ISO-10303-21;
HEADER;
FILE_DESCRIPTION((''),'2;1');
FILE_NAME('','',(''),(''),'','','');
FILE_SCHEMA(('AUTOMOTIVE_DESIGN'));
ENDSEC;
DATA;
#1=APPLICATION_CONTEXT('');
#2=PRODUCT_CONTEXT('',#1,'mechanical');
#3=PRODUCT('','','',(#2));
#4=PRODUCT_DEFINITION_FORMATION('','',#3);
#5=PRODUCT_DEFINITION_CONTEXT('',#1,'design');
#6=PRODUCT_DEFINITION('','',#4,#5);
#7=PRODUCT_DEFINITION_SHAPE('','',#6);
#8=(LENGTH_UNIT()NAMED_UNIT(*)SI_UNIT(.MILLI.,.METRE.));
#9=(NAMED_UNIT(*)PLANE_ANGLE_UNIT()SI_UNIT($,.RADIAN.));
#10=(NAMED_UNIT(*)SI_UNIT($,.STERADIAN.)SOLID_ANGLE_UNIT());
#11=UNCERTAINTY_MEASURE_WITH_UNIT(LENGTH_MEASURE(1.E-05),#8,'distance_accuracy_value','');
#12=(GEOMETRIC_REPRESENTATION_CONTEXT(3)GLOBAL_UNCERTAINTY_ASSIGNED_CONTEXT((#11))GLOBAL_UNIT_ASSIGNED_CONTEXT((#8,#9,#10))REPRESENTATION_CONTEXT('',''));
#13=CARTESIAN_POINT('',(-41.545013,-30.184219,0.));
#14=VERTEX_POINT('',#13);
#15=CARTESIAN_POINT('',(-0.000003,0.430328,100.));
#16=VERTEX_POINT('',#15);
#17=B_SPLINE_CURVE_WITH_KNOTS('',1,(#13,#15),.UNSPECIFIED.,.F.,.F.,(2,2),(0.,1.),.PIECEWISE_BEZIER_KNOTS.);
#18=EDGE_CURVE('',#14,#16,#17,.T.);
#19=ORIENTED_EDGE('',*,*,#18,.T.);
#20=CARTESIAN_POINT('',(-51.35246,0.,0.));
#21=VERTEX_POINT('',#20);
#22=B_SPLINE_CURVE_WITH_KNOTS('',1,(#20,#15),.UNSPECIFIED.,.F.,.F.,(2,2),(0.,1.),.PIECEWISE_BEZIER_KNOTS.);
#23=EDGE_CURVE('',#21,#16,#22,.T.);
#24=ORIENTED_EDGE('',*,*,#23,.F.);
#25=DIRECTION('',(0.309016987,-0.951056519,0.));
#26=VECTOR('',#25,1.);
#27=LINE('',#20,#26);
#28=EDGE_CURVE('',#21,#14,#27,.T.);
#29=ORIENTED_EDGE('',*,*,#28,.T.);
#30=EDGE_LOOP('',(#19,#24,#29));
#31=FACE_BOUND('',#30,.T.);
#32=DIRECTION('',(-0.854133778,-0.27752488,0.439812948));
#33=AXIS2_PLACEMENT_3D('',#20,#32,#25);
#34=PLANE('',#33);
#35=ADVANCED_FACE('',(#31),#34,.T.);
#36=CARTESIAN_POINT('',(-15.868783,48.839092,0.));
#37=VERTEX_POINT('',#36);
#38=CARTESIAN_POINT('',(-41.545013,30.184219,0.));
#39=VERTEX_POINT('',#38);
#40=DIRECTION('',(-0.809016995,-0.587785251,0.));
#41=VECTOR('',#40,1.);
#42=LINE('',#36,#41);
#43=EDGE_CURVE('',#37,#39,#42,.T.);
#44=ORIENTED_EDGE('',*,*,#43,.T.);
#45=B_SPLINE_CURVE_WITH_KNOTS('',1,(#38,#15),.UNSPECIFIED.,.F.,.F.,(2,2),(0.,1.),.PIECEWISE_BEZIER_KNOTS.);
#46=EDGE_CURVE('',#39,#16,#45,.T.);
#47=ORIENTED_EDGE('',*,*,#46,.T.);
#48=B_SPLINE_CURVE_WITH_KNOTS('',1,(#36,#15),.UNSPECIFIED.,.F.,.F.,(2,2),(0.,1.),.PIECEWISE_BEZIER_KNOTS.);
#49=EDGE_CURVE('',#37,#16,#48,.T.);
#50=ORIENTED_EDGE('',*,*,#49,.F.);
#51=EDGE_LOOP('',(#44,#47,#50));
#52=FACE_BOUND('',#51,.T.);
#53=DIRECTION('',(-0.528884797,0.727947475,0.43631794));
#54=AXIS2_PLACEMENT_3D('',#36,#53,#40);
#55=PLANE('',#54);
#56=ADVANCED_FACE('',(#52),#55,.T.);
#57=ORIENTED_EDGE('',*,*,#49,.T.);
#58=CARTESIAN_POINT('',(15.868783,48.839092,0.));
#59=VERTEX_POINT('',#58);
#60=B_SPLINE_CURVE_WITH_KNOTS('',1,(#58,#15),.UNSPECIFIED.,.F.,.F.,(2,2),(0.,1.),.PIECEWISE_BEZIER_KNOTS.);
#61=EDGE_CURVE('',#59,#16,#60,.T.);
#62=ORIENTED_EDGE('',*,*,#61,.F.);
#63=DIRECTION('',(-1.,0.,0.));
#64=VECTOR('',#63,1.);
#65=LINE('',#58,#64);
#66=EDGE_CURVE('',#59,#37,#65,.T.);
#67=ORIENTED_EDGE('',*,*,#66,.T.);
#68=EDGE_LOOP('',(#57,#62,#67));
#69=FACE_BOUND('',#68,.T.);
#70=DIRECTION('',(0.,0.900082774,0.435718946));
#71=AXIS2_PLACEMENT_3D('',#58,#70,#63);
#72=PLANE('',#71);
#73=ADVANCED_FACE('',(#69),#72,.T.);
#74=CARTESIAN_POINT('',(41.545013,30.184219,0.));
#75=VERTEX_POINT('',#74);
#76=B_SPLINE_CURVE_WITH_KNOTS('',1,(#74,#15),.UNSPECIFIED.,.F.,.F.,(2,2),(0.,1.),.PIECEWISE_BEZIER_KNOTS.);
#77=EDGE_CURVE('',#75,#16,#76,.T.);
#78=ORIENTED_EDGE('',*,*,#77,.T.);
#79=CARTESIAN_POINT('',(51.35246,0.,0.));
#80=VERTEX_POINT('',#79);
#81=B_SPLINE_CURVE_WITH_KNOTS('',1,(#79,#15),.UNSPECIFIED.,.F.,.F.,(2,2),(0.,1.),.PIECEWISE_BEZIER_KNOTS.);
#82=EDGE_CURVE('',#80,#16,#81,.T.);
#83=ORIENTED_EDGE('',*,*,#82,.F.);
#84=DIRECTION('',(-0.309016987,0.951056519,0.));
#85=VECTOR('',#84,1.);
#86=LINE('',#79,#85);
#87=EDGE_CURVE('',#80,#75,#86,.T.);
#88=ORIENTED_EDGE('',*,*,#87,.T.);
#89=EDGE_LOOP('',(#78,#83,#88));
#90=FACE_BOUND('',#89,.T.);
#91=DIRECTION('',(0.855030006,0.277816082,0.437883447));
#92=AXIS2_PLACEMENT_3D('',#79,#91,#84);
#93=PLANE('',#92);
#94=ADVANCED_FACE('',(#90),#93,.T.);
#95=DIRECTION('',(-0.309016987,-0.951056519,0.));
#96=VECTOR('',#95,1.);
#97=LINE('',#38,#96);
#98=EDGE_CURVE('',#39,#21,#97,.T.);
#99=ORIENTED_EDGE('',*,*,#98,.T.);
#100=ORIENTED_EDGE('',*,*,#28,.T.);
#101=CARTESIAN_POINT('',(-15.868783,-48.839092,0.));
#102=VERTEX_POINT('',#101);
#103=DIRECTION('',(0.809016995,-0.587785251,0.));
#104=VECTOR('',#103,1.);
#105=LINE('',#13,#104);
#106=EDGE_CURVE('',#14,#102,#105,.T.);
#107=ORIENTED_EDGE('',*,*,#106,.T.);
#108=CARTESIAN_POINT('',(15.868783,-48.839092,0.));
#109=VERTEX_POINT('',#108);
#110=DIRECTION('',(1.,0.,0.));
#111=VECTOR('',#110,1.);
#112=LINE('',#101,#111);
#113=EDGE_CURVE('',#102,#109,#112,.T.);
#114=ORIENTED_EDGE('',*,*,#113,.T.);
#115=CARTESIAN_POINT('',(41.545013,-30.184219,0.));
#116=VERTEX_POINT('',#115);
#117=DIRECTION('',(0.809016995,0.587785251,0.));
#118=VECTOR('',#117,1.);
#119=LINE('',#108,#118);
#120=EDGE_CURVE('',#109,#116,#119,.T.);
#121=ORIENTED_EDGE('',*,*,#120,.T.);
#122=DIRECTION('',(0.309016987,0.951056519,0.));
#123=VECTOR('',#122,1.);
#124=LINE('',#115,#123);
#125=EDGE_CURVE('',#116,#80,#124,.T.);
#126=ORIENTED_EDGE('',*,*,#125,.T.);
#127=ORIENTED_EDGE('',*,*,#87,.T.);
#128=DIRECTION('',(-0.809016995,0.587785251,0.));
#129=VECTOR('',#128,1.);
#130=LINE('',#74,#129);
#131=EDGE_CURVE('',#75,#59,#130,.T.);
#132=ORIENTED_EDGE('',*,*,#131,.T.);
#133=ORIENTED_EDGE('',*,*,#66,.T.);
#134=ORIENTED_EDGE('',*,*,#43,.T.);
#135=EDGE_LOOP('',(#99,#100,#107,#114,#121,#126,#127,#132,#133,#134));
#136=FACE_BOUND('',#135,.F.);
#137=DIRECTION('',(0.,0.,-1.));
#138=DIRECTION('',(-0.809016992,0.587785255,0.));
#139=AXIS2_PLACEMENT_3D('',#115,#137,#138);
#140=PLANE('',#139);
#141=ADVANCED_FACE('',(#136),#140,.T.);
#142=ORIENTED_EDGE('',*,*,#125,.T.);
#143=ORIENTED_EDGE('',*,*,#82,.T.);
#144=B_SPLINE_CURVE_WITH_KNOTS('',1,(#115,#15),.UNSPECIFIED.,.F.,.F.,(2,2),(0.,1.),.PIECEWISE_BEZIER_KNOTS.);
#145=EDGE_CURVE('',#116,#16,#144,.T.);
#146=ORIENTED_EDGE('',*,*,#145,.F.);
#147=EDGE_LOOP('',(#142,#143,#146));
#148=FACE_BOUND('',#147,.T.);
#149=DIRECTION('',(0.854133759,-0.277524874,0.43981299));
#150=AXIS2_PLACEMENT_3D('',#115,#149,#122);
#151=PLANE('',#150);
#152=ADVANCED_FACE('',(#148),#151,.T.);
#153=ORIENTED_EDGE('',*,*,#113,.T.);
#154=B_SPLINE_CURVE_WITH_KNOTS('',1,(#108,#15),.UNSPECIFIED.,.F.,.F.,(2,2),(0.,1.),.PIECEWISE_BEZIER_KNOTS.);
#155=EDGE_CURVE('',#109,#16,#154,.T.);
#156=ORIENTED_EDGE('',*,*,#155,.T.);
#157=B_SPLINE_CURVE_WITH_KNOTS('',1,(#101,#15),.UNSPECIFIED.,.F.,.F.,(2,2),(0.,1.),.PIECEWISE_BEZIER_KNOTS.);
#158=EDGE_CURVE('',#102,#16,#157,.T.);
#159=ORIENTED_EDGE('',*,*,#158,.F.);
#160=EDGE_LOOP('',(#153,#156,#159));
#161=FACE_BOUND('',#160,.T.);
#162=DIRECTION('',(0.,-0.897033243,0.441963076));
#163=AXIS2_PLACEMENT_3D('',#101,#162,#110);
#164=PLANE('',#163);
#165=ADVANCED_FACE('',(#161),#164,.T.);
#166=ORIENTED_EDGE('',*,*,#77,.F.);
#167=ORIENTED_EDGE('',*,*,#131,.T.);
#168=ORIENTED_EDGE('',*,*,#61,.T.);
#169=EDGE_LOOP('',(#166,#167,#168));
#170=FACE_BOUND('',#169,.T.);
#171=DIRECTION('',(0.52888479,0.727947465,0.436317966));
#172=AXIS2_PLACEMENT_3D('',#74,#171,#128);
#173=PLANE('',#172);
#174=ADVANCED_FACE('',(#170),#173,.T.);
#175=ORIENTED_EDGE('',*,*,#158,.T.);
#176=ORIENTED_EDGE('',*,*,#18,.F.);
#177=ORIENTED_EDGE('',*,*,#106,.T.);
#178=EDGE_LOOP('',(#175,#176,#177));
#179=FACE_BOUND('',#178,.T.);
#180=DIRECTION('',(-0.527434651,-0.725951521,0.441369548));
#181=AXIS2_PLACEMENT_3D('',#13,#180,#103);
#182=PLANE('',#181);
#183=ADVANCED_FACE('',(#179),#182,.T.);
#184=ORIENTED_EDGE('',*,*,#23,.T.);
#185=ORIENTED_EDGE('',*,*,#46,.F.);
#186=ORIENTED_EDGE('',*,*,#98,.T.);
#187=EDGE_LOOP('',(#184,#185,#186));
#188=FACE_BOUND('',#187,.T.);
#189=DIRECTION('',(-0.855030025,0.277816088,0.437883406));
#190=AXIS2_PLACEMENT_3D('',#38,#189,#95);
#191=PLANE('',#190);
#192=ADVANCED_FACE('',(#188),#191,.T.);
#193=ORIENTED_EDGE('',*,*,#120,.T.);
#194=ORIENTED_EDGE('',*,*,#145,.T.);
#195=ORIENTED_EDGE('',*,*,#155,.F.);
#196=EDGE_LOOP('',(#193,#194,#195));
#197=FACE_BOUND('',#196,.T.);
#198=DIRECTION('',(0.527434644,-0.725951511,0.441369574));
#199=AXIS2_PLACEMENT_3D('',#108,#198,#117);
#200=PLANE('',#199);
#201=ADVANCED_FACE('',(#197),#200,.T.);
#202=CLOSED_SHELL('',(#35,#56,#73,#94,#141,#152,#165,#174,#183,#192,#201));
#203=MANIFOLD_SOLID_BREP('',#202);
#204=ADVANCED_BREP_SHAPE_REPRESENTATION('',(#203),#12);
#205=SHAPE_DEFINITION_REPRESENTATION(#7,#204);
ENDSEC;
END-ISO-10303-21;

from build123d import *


with BuildPart() as f3:
    # F0 (on Top) → F3 section 0
    with BuildSketch(Plane.XY, mode=Mode.PRIVATE) as f3_s0:
        Polygon((41.545013, -30.184219), (51.35246, 0), (41.545013, 30.184219), (15.868783, 48.839092), (-15.868783, 48.839092), (-41.545013, 30.184219), (-51.35246, 0), (-41.545013, -30.184219), (-15.868783, -48.839092), (15.868783, -48.839092), align=None)
    loft([f3_s0.sketch, Vertex(-3e-06, 0.430328, 100)])


solid = f3.part
